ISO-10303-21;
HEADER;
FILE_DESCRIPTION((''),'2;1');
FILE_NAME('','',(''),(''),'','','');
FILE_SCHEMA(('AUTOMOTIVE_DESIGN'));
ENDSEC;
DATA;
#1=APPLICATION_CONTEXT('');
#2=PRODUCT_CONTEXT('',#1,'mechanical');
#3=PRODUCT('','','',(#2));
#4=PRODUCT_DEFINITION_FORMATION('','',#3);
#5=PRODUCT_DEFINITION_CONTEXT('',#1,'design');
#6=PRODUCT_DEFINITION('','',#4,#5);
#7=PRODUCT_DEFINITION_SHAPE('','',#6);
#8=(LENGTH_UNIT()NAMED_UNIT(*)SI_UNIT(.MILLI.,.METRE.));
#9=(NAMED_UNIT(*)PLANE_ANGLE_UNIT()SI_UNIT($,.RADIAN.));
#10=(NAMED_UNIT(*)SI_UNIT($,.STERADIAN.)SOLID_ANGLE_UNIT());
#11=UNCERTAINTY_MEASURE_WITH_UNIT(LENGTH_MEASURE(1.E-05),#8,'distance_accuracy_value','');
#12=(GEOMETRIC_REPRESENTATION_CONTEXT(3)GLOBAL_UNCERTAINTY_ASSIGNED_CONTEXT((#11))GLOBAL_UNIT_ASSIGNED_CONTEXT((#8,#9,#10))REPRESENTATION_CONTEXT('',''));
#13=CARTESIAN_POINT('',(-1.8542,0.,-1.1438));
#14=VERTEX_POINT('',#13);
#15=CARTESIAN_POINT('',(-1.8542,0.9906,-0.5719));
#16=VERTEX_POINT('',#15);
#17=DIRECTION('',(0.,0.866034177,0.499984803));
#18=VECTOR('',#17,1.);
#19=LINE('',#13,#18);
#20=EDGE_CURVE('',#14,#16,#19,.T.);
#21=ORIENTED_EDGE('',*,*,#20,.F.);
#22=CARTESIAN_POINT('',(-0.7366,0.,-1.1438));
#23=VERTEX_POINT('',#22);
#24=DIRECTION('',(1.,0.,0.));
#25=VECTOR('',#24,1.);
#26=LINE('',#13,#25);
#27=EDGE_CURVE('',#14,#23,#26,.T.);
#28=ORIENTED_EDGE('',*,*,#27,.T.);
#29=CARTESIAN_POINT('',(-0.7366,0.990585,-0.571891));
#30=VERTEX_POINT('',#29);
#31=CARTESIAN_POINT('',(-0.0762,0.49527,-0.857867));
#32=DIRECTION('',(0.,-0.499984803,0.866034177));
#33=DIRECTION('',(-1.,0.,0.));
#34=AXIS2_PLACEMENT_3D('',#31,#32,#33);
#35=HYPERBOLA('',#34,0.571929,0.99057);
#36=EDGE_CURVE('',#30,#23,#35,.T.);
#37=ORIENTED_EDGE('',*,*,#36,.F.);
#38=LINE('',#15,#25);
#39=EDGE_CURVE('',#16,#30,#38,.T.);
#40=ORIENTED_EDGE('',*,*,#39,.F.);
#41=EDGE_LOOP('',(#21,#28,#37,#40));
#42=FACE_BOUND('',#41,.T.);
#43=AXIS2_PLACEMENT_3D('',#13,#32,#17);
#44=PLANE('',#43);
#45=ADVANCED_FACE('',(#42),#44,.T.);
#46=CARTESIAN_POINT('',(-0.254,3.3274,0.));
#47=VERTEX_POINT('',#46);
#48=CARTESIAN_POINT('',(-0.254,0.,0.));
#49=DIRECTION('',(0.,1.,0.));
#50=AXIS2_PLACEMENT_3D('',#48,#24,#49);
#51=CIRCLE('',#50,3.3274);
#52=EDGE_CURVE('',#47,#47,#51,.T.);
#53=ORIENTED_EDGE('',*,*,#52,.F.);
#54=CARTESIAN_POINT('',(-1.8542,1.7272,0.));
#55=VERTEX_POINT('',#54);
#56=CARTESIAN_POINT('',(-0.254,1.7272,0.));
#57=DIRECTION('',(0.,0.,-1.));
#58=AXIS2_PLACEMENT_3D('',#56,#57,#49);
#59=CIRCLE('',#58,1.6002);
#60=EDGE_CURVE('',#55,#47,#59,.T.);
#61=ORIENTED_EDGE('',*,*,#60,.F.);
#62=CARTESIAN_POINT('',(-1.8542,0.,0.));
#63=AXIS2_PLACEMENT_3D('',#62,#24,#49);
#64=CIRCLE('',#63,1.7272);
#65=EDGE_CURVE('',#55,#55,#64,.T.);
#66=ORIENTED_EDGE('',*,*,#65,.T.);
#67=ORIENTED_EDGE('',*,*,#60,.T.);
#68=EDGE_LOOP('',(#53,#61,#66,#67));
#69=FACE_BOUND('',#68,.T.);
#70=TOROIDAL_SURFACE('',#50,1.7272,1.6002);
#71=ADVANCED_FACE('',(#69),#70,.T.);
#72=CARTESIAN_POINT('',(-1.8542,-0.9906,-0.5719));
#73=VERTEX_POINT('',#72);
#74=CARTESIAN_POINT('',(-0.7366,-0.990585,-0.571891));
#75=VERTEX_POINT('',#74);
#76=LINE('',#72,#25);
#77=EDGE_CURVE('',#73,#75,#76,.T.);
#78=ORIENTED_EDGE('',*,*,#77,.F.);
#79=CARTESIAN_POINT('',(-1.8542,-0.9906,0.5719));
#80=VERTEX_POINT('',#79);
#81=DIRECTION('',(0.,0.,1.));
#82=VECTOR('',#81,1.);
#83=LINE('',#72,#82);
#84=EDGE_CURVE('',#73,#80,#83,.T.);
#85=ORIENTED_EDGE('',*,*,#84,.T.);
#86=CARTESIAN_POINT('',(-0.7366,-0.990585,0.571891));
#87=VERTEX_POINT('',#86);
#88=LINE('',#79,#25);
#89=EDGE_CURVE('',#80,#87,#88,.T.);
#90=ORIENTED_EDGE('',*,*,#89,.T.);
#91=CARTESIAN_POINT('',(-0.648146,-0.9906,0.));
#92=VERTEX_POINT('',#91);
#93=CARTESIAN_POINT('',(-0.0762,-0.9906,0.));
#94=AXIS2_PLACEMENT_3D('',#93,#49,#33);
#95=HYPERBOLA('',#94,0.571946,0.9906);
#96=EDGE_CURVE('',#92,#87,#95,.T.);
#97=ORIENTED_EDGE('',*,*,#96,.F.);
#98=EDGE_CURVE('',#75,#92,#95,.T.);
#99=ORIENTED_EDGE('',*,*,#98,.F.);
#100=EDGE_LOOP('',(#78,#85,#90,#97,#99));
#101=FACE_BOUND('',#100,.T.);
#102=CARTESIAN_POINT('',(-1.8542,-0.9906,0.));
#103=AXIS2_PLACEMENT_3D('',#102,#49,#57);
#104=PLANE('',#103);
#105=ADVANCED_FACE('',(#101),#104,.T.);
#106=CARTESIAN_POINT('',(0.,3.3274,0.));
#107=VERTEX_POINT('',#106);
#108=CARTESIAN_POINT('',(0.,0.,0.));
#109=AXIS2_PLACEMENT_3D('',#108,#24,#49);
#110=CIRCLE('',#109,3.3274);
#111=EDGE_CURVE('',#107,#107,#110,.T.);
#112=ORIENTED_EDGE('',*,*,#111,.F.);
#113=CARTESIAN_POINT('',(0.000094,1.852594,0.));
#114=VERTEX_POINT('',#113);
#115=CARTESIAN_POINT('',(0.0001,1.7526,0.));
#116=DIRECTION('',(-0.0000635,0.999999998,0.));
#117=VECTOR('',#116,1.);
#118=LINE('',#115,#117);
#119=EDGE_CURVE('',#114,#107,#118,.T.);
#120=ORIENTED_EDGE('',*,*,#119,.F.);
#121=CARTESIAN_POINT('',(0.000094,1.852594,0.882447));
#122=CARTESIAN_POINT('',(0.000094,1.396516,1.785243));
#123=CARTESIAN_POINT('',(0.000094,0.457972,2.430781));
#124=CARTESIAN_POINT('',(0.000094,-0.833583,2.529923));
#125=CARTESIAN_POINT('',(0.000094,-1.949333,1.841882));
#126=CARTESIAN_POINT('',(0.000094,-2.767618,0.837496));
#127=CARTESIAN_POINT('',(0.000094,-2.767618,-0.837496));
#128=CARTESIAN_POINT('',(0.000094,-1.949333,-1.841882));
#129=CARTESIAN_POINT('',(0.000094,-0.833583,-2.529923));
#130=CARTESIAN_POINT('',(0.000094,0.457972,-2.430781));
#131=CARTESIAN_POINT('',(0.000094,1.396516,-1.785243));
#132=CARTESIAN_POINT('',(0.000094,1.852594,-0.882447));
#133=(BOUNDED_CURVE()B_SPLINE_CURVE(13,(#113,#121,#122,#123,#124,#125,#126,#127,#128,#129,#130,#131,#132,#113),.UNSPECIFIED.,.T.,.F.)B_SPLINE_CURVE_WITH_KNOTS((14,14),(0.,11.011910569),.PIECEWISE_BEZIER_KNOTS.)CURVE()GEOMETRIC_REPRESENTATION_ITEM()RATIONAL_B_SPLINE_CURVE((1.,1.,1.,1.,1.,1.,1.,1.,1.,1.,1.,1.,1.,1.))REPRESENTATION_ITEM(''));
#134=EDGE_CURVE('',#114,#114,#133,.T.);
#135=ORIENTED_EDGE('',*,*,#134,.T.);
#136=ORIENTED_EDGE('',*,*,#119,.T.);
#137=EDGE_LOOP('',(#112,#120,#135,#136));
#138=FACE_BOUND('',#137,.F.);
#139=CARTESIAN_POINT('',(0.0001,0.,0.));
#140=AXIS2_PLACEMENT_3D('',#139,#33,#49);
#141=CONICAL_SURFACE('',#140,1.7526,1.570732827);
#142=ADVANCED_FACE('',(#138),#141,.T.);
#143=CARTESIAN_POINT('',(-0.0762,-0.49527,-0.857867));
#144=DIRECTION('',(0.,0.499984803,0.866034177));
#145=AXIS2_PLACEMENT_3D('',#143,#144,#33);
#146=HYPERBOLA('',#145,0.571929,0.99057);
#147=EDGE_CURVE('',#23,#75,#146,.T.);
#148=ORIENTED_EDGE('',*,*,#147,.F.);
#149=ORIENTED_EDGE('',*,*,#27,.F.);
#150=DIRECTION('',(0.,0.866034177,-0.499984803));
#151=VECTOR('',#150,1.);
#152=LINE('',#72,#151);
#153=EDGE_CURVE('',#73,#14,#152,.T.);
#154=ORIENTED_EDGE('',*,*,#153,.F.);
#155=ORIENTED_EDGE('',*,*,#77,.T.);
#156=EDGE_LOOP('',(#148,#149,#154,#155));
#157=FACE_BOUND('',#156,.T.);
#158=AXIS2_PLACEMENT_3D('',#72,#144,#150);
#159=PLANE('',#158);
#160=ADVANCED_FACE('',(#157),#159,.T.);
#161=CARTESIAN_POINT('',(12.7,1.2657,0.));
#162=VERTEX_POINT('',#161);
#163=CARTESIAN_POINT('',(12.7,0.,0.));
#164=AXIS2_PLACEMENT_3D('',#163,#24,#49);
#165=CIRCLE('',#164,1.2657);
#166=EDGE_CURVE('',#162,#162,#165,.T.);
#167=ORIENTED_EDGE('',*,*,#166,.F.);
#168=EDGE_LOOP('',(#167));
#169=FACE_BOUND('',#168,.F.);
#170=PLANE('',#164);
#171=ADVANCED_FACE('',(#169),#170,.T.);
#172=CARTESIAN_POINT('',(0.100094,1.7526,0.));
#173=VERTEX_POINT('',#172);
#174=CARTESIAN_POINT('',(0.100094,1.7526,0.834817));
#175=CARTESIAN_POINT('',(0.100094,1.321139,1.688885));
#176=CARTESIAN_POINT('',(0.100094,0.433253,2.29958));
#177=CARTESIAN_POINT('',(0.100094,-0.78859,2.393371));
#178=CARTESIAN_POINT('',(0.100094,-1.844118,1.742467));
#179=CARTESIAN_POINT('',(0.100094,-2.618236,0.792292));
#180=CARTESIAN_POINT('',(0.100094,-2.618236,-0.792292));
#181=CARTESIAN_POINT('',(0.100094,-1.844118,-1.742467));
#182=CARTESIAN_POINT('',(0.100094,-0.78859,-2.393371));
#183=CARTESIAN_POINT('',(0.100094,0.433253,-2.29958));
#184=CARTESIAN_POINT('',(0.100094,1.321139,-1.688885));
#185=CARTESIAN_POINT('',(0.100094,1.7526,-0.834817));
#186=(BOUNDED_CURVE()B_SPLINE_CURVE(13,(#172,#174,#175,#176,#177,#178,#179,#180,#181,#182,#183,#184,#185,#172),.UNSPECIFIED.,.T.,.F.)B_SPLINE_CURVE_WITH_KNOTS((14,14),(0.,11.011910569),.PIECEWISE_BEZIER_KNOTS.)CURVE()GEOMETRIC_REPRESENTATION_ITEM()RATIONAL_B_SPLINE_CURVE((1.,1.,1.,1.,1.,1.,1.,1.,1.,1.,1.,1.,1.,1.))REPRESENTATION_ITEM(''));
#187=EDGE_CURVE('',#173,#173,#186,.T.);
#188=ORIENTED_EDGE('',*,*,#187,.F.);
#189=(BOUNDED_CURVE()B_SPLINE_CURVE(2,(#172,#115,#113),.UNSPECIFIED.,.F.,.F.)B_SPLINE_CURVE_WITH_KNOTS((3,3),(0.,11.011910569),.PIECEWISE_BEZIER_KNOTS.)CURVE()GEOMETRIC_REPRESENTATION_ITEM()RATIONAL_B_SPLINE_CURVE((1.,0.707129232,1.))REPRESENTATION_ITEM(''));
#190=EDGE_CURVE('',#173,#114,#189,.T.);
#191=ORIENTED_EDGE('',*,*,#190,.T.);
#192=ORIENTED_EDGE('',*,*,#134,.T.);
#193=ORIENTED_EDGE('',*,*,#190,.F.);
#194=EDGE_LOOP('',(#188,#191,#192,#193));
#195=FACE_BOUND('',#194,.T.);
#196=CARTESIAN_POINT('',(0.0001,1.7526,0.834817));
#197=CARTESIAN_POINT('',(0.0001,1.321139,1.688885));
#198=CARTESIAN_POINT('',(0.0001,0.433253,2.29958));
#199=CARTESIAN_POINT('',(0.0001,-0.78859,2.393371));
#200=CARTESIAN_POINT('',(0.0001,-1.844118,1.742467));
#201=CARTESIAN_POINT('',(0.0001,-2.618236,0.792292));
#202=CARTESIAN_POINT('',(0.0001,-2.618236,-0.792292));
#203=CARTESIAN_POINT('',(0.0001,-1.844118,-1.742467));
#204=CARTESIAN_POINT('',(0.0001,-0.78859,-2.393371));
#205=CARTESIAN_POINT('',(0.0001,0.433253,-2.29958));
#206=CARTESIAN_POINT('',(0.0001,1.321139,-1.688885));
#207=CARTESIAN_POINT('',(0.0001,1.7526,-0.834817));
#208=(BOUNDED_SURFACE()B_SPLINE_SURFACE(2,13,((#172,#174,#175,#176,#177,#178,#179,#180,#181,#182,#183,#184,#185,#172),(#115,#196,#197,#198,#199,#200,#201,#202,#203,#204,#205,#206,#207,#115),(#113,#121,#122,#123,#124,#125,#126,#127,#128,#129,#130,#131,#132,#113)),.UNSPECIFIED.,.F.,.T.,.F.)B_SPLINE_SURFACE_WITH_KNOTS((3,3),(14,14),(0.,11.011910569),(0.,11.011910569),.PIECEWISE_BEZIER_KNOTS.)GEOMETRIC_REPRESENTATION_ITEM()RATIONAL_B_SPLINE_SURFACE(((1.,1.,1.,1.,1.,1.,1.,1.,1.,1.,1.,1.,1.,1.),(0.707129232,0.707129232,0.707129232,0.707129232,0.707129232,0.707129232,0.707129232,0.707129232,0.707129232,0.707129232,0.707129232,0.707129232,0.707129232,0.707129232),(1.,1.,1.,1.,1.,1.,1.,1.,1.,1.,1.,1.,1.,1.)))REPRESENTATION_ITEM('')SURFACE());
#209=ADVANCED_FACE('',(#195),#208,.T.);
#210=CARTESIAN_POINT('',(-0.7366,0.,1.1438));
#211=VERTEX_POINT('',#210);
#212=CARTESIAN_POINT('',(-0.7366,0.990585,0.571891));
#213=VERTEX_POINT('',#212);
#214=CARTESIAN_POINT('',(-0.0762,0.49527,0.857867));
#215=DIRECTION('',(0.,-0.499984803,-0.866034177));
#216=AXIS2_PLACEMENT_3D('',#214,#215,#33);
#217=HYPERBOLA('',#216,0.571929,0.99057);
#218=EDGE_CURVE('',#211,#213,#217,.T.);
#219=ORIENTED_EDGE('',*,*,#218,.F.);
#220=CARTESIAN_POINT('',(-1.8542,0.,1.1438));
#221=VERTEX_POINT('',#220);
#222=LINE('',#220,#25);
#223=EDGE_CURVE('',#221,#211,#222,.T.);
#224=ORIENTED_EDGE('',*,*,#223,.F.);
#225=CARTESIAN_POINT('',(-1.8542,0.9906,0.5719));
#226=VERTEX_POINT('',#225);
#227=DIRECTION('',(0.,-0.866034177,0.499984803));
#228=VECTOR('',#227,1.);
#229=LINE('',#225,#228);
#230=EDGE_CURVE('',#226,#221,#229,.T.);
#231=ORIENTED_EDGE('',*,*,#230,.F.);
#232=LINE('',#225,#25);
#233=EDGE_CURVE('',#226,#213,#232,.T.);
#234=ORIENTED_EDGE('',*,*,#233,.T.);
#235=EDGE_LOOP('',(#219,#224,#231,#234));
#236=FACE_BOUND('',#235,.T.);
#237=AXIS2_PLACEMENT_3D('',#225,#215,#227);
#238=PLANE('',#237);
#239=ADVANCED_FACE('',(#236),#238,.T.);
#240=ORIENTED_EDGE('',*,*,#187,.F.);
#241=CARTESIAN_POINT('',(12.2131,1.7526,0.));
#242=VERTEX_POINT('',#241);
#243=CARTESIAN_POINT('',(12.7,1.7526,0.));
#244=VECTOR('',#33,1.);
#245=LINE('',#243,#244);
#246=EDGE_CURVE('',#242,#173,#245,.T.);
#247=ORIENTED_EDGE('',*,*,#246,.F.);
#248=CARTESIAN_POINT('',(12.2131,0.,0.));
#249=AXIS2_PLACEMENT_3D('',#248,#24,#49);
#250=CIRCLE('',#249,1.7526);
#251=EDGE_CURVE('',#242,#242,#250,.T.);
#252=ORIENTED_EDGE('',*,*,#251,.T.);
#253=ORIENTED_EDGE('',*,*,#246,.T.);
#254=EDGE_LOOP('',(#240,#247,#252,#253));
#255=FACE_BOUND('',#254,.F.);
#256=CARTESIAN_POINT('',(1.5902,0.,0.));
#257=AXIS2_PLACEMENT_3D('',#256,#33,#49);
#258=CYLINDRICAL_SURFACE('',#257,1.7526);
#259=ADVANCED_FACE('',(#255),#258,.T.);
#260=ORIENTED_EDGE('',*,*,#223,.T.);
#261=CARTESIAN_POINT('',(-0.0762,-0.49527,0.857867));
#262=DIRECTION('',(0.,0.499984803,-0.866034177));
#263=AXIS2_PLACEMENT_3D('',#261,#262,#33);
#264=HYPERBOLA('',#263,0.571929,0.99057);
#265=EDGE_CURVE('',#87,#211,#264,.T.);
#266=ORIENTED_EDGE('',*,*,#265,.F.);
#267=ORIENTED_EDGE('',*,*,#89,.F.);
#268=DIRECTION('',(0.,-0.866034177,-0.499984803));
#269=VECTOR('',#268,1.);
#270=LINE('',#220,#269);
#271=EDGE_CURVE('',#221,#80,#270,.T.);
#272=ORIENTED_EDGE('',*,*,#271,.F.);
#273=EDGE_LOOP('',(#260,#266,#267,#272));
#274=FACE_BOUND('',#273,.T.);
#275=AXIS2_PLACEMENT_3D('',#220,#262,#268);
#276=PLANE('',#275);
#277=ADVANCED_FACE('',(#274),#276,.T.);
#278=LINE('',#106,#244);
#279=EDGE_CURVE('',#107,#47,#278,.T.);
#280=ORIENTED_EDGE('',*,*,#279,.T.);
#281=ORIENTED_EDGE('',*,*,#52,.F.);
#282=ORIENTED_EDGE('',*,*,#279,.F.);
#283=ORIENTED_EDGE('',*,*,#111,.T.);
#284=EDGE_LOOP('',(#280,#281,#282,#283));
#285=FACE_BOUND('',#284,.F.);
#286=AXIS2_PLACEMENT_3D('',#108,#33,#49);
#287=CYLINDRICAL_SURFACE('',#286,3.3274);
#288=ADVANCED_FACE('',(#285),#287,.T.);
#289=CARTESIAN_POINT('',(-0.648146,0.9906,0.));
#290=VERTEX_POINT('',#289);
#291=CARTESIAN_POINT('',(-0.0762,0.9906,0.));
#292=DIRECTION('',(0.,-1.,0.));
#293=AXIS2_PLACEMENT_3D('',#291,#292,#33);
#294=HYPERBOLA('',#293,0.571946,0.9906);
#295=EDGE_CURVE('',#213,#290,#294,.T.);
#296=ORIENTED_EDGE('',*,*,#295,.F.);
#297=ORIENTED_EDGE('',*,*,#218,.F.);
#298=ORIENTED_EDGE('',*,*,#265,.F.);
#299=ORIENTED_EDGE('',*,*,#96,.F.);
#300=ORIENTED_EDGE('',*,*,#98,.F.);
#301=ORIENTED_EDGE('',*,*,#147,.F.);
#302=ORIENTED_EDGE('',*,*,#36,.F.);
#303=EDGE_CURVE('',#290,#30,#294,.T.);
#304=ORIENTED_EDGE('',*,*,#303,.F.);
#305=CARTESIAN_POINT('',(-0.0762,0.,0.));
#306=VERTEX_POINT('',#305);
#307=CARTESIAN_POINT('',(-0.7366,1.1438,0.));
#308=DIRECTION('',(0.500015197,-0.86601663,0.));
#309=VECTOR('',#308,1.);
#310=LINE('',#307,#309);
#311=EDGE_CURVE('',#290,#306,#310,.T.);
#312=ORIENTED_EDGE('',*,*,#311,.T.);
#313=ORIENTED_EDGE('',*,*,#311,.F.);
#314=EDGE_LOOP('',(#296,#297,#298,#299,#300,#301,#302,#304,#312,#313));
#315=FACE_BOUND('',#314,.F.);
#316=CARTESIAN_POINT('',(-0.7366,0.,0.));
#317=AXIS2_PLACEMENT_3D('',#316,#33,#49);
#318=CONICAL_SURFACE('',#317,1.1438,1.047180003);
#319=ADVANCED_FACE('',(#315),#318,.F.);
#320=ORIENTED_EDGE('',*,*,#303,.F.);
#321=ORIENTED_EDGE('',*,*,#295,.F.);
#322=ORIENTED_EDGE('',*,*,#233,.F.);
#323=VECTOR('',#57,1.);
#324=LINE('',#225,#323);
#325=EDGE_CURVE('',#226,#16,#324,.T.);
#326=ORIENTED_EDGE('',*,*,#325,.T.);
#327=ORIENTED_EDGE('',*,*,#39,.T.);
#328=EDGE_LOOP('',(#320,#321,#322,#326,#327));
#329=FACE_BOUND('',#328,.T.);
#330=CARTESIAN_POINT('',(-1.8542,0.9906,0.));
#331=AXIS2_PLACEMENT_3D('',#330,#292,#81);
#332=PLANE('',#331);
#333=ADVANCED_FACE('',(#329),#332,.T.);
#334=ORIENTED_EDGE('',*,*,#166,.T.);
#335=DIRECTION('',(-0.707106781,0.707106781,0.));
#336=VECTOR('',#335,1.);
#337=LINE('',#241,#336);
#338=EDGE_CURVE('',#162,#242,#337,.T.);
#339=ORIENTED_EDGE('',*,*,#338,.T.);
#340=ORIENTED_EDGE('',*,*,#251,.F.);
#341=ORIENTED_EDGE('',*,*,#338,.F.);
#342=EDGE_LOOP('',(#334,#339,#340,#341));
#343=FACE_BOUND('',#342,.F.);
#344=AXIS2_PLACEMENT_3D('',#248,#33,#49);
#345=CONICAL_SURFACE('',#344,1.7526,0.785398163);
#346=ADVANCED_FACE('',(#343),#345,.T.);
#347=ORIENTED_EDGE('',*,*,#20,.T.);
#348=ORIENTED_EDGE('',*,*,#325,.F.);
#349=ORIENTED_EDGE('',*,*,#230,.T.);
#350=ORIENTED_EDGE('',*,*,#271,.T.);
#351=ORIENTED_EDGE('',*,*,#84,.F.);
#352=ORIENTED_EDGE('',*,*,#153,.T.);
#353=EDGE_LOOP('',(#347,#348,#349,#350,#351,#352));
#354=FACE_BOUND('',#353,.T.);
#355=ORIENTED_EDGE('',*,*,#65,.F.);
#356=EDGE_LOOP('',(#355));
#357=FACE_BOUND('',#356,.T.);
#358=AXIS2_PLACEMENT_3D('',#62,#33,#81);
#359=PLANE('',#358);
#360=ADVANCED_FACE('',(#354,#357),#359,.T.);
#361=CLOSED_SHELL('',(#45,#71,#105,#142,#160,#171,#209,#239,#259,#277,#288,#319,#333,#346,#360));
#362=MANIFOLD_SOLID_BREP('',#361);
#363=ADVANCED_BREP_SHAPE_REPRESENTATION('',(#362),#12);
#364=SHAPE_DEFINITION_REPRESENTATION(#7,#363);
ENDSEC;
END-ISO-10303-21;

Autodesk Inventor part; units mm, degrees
ref_plane "YZ Plane" through (0, 0, 0) normal (1, 0, 0) x (0, 1, 0)
ref_plane "XZ Plane" through (0, 0, 0) normal (0, 1, 0) x (-1, 0, 0)
sketch "Sketch1" plane through (0, 0, 0) normal (0, 0, 1) x (1, 0, 0)
  line L0 (-0.0762, 0) -> (12.7, 0)
  line L1 (12.7, 0) -> (12.7, 1.7526)
  line L2 (12.7, 1.7526) -> (1.5902, 1.7526)
  line L3 (1.5902, 1.7526) -> (0.0001, 1.7526)
  line L4 (0.0001, 1.7526) -> (0, 1.7526)
  line L5 (0, 1.7526) -> (0, 3.3274)
  line L6 (0, 3.3274) -> (-1.8542, 3.3274)
  line L7 (-1.8542, 3.3274) -> (-1.8542, 1.1438)
  line L8 (-1.8542, 1.1438) -> (-0.7366, 1.1438)
  line L9 (-0.7366, 1.1438) -> (-0.0762, 0)
  line L10 (-4.765, 0) -> (15.6108, 0) projected
  line L11 (0, -0.6655) -> (0, 3.9929) projected
  line L12 (1.5902, 1.7526) -> (0, 1.7526) construction
  dimension "d1" = 11.1098
  dimension "d2" = 1.5901
  dimension "d3" = 1.8542
  dimension "d4" = 1.1176
  dimension "d5" = 60
  dimension "d6" = 3.5052
  dimension "d7" = 3.5052
  dimension "d8" = 2.2877
  dimension "d9" = 6.6548
  dimension "d26" = 12.7
revolve "Body" add sketch "Sketch1" angle 360 about axis through (-0.0762, 0, 0) along (1, 0, 0)
sketch "Sketch2" plane through (-1.8542, 0, 0) normal (-1, 0, 0) x (0, 0, 1)
  circle A0 centre (0, 0) radius 1.1438 projected
  line L0 (0, -4.6584) -> (0, 4.6584) projected
  line L1 (-4.6584, 0) -> (4.6584, 0) projected
  line L2 (1.1438, 0) -> (0.5719, -0.9906)
  line L3 (0.5719, -0.9906) -> (-0.5719, -0.9906)
  line L4 (-0.5719, -0.9906) -> (-1.1438, 0)
  line L5 (-1.1438, 0) -> (-0.5719, 0.9906)
  line L6 (-0.5719, 0.9906) -> (0.5719, 0.9906)
  line L7 (0.5719, 0.9906) -> (1.1438, 0)
extrude "Slot" add sketch "Sketch2" against normal up to next contours L7 A0 | A0 L2 | L6 L0 A0 | A0 L0 L3 | L0 L6 A0 | A0 L3 L0 | L4 A0 | A0 L5
fillet "Fillet1" radius 1.6002 1 edges at (-1.8542, -3.3274, 0)
thread "Thread" size "6-32 UNC" class "2A" standard "ANSI Unified Screw Threads" length 11.1098
chamfer "Chamfer1" distance 0.4869 distance2 0.4869 1 edges at (12.7, -1.7526, 0) measured on face at (12.7, -0.5973, -0.3874)
ref_plane "Work Plane1" through (29, 0, 0) normal (0, -1, 0) x (1, 0, 0)
fillet "Fillet2" radius 0.1 1 edges at (0.0001, -1.7526, 0)
equation "\"d1\" = GEL"
equation "\"d3\" = KOH"
equation "\"d4\" = INTI"
equation "\"d6\" = GD"
equation "\"d7\" = BDM"
equation "\"d8\" = 1.1547 * SW"
equation "\"d9\" = KOD"
equation "\"d26\" = NLG"
equation "\"d30\" = R"
equation "\"d17\" = RR"
equation "\"d13\" = GEL"
equation "\"d15\" = -0.5 * SPD + 0.5 * GD"
equation "\"d16\" = GUL"
equation "\"GD\" = NND"
equation "\"NLG\" = 12.7"
equation "\"GEL\" = 11.10976"
equation "\"KOD\" = 6.6548"
equation "\"KOH\" = 1.8542"
equation "\"INTI\" = 1.1176"
equation "\"GAL\" = 1.59004"
equation "\"GUL\" = 0.48692"
equation "\"BDM\" = NND"
equation "\"SW\" = 1.9812"
equation "\"RR\" = 1.6002"
equation "\"SPD\" = 2.53136"
equation "\"R\" = 0.1"
equation "\"TOA\" = 30deg"
equation "\"GD1\" = SPD"
equation "\"THREADDIA\" = 3.5052"
equation "\"KOH1\" = 0.381"
equation "\"NND\" = 3.5052"
equation "\"E0\" = 2.28829"
properties part number "ANSI B18.3 - 6 - 32 x 1/2" material "Steel, Mild"
